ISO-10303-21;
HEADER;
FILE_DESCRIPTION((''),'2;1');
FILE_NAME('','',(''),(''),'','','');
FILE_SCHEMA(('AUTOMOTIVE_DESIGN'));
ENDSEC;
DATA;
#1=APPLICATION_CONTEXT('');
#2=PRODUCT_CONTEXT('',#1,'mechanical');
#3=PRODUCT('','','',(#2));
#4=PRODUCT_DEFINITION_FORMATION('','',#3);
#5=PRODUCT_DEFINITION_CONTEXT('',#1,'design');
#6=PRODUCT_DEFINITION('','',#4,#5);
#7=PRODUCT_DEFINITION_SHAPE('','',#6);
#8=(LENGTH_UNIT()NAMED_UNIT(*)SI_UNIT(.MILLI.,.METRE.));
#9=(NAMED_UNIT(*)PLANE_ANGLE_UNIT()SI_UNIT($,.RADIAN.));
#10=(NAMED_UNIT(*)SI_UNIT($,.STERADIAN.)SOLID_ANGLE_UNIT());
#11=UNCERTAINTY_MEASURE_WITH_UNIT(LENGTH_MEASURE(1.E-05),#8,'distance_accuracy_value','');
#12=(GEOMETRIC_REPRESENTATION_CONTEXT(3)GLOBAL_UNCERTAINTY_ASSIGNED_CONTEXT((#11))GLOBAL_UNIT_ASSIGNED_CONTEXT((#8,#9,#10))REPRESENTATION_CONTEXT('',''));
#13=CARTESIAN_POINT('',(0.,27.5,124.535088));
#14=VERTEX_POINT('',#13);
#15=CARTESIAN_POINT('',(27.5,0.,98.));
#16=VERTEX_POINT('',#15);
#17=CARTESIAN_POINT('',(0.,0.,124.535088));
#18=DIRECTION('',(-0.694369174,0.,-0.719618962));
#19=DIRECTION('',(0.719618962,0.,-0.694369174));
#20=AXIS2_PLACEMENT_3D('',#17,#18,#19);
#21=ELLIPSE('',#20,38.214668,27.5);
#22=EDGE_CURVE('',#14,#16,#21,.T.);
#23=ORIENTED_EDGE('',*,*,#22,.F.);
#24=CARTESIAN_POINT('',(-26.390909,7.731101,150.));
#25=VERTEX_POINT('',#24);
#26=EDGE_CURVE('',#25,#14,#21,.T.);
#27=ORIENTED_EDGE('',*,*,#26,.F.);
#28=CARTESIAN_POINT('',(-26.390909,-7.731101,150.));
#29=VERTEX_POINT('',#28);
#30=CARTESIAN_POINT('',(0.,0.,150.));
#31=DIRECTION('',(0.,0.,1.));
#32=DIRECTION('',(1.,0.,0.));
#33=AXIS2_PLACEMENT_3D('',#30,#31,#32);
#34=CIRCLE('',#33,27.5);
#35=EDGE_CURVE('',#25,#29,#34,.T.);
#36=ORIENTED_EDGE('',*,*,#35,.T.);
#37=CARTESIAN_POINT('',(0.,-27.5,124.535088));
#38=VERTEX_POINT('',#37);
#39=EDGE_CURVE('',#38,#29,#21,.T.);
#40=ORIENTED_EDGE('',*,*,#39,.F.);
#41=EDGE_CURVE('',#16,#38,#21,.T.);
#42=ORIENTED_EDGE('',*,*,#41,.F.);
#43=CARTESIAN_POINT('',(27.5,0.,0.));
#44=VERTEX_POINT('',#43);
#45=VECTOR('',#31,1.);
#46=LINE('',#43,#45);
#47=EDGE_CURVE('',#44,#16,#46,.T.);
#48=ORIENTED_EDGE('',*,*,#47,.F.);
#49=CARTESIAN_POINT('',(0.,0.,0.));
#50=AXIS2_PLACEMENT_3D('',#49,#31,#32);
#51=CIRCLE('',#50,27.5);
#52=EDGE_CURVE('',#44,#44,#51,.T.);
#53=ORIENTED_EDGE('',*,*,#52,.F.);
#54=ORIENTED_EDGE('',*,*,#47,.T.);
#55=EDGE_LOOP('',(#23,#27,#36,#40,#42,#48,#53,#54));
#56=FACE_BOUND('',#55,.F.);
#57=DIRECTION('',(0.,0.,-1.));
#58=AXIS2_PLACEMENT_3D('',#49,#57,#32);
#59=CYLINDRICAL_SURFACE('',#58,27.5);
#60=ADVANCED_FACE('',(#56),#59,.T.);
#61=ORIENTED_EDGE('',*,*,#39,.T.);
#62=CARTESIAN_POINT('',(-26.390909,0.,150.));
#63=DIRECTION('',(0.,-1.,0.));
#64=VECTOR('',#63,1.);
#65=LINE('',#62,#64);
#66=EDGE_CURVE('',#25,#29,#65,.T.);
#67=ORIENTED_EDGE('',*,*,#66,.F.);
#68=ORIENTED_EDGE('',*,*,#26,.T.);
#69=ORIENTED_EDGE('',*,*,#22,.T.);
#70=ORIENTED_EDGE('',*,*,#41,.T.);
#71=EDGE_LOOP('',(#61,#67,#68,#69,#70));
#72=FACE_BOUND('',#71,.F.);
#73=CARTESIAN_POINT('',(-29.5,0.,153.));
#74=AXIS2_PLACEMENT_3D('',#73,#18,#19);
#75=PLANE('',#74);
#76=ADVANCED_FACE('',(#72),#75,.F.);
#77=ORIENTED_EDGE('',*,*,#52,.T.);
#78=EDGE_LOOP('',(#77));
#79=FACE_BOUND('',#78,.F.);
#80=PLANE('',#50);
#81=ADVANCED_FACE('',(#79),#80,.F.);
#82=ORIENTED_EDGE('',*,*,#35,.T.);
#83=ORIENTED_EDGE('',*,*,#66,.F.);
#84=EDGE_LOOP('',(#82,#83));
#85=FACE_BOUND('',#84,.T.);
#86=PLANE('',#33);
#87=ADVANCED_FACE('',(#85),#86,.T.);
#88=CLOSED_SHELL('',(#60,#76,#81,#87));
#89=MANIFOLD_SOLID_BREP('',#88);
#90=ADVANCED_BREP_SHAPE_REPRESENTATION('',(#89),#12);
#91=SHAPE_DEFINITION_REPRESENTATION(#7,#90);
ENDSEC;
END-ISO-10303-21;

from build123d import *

# Parameters (mm, degrees)
F0_R          = 27.5
F1_DEPTH      = 150
F3_DEPTH      = 27.5
F3_DEPTH_BACK = 27.5


with BuildPart() as f1:
    # F0 (on Top) → F1 (new body)
    with BuildSketch(Plane.XY):
        Circle(F0_R)
    extrude(amount=F1_DEPTH)


with BuildPart() as f3:
    # F2 (on Front) → F3 (new body, two sides)
    with BuildSketch(Plane.XZ) as f3_sk:
        Polygon((27.5, 153), (-29.5, 153), (27.5, 98), align=None)
    extrude(amount=F3_DEPTH)
    extrude(f3_sk.sketch, amount=-F3_DEPTH_BACK)


with BuildPart() as f1_1:
    add(f1.part)

    # F4: cut F3
    add(f3.part, mode=Mode.SUBTRACT)


solid = f1_1.part
